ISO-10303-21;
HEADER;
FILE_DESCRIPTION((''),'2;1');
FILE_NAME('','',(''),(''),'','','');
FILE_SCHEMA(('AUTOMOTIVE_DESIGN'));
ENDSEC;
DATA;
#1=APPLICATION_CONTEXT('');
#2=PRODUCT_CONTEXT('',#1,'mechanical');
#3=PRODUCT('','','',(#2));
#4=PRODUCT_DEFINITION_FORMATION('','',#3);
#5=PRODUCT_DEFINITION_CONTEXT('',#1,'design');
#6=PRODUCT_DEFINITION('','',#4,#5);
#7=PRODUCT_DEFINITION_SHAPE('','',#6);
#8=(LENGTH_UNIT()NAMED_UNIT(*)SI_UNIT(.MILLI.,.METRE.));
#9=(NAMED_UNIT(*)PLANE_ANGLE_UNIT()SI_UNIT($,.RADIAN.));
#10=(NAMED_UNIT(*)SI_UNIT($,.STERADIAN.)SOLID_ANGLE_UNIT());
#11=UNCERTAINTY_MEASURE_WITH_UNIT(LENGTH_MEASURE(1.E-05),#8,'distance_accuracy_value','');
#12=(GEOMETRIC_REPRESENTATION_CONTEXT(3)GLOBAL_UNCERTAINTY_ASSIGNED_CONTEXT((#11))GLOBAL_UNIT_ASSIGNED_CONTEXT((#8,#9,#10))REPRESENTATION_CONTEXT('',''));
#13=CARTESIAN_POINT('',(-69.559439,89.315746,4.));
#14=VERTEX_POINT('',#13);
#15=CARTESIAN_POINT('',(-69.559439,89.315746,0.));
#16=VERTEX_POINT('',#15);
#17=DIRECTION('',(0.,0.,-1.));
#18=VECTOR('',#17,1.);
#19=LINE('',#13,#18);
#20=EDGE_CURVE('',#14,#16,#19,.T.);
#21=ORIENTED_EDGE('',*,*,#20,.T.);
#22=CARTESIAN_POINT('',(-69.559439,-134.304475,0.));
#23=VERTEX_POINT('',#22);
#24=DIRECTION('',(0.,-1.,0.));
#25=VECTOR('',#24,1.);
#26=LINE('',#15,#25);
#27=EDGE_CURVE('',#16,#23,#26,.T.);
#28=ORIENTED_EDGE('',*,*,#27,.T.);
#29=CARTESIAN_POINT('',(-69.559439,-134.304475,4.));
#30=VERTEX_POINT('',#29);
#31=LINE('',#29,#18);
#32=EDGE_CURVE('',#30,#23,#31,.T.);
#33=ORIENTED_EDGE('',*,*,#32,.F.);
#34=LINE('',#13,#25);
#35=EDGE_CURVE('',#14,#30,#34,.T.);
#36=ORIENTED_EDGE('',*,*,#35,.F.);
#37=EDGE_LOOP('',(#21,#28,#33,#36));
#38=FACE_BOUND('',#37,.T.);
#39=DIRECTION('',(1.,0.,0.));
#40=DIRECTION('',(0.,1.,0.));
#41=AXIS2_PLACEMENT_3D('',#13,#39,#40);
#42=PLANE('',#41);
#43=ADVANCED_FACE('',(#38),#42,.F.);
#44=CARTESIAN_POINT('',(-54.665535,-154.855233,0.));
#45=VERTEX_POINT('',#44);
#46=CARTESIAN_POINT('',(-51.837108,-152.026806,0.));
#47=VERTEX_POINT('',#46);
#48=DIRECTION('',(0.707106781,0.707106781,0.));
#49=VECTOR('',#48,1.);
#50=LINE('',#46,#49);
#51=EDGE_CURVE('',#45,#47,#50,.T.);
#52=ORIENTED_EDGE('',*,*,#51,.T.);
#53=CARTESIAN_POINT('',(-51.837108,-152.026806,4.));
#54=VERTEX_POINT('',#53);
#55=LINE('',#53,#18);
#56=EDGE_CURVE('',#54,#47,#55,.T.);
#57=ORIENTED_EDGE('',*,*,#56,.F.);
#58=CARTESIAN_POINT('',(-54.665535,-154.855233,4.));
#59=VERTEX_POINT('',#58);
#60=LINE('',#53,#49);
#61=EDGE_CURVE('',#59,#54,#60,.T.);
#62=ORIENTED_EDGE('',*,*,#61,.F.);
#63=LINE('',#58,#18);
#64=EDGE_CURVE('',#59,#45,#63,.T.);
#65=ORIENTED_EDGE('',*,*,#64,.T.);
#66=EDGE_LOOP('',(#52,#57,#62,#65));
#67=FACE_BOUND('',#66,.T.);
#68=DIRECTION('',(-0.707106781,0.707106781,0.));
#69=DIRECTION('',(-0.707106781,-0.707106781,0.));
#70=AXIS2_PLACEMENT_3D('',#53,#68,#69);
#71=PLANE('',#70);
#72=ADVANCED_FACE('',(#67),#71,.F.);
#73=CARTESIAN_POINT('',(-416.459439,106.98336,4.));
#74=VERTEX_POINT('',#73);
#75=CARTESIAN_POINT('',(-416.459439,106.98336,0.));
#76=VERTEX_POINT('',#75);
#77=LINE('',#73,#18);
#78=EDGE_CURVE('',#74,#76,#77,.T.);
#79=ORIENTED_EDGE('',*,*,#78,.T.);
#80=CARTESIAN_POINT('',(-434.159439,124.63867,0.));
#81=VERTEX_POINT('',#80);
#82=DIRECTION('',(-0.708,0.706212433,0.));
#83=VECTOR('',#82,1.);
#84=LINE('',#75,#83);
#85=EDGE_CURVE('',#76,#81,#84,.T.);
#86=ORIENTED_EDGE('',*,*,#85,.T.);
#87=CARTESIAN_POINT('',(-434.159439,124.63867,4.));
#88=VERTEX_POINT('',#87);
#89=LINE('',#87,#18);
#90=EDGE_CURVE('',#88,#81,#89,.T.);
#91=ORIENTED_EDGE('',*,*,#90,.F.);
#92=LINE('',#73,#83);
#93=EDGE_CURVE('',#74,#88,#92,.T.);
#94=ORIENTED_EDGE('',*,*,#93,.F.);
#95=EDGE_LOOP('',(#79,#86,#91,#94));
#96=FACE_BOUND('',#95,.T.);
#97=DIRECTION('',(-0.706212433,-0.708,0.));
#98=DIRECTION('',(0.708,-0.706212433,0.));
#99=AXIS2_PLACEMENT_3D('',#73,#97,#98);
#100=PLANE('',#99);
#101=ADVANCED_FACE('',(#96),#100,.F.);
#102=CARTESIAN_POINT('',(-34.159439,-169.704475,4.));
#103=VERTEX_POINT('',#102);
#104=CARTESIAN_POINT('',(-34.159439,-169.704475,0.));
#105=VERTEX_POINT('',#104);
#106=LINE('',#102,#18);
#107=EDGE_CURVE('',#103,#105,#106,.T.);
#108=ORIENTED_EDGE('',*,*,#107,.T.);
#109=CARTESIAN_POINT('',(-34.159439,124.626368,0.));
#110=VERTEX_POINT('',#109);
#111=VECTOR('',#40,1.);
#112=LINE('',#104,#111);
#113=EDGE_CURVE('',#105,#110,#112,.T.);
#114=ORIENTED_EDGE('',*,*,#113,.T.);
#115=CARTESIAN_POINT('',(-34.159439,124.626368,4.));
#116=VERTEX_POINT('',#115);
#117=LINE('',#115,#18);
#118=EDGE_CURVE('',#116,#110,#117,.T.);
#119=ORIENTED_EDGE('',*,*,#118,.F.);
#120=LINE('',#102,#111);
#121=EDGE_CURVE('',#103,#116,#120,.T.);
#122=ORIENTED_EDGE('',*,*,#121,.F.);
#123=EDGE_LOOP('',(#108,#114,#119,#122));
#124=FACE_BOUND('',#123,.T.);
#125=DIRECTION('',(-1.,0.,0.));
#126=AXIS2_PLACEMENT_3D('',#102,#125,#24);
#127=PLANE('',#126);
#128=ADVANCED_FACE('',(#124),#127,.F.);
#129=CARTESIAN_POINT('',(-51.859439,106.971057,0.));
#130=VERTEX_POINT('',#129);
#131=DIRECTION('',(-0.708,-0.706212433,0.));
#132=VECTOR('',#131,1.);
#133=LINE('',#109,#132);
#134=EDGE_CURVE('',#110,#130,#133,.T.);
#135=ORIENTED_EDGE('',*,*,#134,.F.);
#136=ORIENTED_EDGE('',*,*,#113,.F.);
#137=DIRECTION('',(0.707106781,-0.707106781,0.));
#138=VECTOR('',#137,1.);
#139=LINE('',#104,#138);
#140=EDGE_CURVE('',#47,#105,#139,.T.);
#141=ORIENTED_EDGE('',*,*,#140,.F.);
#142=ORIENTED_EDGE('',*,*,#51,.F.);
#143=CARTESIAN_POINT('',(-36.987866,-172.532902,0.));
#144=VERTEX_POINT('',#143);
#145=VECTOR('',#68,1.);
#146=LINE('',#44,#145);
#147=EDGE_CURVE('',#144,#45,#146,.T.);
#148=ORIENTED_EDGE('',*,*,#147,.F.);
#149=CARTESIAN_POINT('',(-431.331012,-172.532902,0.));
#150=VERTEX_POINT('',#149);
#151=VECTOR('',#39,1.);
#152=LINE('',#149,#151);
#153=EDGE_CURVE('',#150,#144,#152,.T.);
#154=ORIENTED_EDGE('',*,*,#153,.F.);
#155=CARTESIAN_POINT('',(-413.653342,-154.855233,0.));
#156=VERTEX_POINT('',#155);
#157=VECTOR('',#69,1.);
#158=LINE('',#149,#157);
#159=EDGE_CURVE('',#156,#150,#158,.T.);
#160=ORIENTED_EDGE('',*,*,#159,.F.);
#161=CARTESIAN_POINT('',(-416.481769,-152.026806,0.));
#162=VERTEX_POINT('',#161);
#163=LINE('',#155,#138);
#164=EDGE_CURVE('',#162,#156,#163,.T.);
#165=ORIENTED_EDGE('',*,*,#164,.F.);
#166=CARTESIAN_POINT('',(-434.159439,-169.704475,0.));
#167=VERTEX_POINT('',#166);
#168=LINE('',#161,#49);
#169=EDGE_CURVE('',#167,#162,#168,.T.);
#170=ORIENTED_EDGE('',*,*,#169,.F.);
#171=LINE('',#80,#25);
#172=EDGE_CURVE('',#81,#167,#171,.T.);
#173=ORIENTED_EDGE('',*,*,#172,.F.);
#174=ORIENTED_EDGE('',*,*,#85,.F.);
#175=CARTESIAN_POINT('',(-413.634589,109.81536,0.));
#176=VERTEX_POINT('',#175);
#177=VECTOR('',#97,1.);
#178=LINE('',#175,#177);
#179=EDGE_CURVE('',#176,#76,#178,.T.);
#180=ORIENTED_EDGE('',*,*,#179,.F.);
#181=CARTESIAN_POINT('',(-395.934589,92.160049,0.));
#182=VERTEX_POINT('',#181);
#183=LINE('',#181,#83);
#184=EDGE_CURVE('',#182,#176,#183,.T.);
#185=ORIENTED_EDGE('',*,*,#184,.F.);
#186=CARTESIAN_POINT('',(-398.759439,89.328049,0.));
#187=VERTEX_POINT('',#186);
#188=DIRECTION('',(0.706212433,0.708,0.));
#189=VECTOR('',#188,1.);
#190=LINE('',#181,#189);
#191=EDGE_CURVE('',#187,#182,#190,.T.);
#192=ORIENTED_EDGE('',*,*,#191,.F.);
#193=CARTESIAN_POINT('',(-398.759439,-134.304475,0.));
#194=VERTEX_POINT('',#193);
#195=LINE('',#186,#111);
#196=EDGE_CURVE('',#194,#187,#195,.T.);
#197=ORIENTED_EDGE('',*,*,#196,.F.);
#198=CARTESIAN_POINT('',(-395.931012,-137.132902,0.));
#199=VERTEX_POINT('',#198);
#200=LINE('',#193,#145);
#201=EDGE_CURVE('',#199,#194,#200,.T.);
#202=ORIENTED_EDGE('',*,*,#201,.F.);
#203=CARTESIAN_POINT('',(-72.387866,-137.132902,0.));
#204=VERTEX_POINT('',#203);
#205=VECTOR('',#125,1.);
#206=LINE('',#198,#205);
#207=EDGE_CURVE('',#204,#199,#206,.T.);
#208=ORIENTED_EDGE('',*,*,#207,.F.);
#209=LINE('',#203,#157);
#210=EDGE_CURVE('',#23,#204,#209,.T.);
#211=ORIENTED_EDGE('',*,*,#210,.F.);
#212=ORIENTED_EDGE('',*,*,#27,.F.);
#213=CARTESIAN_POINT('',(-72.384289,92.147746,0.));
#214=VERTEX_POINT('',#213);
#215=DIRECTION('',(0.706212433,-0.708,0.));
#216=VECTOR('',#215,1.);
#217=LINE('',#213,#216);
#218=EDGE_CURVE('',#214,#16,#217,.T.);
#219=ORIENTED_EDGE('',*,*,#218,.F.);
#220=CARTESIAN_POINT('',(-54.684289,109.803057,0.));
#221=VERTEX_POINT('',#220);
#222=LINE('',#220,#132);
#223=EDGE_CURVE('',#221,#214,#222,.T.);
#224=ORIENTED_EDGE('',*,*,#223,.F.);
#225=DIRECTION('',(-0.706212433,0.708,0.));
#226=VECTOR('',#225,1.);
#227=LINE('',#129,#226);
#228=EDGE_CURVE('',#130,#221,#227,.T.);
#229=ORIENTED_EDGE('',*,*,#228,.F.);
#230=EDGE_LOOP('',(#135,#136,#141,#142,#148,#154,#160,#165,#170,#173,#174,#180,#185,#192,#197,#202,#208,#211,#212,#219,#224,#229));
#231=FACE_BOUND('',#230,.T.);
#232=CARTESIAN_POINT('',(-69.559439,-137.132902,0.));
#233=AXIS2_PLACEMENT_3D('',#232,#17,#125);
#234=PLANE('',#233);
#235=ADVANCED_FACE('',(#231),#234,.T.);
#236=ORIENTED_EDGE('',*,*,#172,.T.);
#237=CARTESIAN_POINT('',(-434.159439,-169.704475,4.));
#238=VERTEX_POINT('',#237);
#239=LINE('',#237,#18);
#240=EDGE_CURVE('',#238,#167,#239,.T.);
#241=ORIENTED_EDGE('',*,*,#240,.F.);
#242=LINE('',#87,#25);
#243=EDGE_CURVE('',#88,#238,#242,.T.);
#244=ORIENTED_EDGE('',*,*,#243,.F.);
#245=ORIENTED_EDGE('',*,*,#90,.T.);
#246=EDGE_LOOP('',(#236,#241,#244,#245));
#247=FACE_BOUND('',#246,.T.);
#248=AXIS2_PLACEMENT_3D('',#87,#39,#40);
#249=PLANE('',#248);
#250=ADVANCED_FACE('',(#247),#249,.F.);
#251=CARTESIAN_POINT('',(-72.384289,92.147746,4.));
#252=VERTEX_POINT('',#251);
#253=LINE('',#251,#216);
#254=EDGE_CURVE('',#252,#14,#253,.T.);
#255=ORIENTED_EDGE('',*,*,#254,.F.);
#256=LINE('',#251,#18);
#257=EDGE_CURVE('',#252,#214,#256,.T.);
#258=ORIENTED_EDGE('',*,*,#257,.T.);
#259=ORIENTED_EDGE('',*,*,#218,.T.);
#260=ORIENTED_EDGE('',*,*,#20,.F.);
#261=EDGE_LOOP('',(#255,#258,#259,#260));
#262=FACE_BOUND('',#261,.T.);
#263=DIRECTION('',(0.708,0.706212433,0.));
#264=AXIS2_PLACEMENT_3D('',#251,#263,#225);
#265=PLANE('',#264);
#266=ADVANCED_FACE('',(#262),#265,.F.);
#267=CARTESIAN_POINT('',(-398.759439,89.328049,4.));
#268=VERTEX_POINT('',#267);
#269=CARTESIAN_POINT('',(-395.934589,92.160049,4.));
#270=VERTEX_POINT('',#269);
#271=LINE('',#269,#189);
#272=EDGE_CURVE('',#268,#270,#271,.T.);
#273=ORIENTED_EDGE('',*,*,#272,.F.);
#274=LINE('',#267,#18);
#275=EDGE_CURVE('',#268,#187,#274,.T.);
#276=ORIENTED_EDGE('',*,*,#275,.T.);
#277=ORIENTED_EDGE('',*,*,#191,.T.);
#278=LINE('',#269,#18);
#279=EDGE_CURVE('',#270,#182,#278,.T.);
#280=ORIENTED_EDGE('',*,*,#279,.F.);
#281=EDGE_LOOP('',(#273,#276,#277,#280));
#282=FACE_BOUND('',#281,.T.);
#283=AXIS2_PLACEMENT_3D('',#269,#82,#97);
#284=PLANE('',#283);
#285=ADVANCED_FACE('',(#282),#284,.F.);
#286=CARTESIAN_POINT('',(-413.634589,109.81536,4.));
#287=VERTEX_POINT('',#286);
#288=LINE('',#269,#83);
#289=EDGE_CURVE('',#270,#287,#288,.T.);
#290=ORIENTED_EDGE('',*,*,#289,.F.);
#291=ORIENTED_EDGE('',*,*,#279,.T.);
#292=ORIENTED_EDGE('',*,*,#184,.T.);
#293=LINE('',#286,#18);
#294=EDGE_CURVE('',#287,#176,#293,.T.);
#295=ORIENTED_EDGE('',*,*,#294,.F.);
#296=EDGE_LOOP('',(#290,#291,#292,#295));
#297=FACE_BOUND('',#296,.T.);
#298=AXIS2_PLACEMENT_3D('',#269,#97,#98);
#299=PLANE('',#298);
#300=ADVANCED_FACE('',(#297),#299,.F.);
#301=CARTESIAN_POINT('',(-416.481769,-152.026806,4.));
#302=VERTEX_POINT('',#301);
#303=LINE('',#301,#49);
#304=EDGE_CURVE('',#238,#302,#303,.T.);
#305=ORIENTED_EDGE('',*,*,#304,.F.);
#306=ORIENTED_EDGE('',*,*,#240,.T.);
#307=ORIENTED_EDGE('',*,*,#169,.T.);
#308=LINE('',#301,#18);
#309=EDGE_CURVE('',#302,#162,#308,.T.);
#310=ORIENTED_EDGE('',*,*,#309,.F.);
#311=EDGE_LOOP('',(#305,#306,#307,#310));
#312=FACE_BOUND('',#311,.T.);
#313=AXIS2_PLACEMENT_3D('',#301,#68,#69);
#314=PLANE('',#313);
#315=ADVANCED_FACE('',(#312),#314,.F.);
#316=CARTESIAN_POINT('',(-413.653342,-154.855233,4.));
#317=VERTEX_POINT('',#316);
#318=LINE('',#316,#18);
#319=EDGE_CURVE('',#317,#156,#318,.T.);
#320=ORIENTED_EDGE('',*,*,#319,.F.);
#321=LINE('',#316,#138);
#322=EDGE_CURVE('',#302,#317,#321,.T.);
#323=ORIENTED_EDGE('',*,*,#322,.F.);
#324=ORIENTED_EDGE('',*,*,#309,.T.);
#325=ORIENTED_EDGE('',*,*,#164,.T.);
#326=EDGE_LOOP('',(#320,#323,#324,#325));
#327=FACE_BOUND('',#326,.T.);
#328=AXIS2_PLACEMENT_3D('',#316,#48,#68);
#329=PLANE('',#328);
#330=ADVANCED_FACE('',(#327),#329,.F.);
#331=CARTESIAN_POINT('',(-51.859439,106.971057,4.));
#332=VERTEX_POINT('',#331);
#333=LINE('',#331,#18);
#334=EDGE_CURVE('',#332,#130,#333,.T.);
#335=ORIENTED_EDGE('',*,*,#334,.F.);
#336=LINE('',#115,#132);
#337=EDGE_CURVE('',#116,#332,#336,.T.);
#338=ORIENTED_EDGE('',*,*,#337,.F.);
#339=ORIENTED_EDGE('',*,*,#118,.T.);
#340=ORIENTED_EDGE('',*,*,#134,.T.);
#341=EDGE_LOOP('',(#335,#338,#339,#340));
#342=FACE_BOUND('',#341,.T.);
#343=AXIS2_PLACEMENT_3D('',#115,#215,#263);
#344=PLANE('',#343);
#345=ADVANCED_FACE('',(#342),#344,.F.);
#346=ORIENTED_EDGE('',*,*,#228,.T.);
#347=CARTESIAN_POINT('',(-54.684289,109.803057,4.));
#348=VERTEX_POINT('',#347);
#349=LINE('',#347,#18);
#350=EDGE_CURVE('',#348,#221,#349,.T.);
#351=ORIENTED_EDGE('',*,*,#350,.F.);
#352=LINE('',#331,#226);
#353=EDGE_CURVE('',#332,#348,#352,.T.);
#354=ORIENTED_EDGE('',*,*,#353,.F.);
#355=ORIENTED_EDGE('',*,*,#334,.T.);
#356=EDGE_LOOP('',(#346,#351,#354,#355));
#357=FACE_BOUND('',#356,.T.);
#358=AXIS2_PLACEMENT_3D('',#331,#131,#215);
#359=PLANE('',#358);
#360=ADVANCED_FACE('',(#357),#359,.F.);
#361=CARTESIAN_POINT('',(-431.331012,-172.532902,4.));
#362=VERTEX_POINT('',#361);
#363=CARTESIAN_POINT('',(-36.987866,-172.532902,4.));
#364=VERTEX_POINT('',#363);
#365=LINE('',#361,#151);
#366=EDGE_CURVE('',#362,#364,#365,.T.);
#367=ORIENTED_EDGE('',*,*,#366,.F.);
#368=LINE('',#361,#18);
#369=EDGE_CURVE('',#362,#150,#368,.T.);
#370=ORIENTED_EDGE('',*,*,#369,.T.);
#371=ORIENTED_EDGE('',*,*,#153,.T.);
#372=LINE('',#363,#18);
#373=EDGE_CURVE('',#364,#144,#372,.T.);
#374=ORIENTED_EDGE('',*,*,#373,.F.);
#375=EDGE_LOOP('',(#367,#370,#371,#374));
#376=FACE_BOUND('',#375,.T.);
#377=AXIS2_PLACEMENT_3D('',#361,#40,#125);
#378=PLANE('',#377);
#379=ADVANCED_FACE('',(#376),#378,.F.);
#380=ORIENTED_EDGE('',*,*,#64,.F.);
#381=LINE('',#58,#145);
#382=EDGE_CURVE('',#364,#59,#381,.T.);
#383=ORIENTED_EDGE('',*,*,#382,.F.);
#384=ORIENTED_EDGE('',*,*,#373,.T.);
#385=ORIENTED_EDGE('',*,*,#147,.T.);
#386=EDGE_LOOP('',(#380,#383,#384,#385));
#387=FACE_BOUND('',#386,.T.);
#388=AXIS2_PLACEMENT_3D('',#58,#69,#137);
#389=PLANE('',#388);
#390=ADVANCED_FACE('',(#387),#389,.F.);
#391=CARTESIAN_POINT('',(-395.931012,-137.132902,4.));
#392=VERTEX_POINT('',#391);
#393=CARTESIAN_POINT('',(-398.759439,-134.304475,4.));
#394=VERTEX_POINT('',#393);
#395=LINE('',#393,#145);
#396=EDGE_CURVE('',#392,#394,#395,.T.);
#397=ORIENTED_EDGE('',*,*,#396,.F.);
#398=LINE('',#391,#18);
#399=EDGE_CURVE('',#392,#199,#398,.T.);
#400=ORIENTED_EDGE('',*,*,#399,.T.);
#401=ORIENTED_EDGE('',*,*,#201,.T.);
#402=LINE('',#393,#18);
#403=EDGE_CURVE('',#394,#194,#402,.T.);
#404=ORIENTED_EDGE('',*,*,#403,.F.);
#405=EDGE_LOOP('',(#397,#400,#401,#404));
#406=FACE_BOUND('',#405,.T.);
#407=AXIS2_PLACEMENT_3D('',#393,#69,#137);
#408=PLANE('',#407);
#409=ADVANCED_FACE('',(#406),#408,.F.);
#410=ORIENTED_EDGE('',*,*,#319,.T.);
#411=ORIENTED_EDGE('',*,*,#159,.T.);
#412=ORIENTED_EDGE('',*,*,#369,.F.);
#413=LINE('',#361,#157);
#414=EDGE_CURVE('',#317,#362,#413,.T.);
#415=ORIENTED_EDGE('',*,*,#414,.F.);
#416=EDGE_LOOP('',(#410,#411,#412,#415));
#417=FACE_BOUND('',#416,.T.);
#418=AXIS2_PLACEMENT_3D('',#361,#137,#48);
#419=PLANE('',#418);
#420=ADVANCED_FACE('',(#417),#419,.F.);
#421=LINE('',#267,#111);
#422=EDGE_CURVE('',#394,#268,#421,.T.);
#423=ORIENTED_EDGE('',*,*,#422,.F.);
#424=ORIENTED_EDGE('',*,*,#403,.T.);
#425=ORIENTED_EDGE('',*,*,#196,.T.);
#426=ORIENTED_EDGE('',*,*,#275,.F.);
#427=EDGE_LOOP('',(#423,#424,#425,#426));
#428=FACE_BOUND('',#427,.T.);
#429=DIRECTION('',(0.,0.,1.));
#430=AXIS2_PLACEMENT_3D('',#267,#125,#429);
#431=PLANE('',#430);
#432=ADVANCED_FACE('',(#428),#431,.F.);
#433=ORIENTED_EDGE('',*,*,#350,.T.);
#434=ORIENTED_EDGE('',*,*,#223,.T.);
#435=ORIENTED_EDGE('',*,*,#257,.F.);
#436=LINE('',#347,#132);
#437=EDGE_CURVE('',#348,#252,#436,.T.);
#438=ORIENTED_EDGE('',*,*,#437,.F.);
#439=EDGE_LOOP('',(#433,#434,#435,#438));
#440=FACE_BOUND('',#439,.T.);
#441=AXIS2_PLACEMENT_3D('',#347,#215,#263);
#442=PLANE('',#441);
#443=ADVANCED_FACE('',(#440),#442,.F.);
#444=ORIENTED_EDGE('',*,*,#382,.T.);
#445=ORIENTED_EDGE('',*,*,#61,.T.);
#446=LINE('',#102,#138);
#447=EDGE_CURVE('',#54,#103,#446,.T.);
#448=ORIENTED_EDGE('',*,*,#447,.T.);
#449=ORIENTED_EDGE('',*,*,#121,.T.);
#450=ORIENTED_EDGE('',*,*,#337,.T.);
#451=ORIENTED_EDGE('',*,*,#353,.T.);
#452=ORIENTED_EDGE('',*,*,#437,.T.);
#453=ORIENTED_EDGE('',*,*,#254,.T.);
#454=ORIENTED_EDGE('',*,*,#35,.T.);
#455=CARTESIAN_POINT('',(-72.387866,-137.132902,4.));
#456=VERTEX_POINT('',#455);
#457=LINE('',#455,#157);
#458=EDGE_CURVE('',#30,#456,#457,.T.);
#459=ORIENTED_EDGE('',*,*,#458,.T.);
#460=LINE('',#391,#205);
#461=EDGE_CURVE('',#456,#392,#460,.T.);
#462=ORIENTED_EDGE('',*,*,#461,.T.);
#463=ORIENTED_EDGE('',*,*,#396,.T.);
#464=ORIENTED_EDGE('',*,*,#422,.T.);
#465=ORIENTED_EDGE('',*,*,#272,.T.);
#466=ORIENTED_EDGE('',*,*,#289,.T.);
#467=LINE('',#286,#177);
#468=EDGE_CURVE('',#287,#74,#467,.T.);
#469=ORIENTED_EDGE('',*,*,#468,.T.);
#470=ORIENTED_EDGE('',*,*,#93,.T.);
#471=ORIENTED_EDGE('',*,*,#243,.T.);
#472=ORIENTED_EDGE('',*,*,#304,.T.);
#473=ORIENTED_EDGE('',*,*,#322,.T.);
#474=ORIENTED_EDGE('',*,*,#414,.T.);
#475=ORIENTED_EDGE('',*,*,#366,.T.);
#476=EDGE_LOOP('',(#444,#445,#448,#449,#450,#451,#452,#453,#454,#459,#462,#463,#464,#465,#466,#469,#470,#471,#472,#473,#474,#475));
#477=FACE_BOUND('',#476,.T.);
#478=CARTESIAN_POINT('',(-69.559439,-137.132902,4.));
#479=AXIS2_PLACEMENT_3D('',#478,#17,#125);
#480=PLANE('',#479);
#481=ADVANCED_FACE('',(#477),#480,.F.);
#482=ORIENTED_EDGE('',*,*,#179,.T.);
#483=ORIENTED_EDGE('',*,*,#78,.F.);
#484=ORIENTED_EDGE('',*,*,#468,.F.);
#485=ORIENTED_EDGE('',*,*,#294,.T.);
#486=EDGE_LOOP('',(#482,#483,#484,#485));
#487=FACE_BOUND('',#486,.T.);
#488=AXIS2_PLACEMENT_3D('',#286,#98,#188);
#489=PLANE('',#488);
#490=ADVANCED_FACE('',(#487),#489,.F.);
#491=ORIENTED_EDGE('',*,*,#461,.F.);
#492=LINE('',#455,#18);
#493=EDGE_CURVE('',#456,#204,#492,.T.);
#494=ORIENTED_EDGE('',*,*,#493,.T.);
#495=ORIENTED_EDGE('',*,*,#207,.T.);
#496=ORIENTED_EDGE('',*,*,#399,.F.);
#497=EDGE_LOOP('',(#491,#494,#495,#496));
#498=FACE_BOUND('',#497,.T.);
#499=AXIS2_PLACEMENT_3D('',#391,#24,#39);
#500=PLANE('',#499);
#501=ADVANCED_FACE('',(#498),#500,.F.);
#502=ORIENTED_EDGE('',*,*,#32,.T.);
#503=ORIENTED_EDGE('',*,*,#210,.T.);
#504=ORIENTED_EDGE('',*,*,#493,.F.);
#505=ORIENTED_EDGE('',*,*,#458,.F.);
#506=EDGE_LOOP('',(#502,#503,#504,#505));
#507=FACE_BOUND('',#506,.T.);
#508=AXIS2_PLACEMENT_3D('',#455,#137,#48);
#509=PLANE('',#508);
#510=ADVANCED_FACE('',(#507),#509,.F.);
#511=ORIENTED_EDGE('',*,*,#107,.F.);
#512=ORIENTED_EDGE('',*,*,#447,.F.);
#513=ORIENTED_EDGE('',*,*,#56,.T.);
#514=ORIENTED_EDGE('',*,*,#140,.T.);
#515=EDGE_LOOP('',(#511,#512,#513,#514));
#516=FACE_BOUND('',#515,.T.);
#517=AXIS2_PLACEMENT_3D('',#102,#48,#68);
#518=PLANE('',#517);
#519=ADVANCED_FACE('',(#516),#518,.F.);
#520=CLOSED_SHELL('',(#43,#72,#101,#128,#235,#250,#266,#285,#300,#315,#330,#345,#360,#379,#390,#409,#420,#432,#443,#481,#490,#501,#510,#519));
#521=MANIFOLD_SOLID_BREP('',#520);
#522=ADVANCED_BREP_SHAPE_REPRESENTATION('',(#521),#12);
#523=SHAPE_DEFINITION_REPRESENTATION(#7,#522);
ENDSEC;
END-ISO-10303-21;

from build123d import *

# Parameters (mm, degrees)
BOSS_EXTRU_1_DEPTH = 4


with BuildPart() as part:
    # Esquisse1 → Boss.-Extru.1 (new body)
    with BuildSketch(Plane.XY):
        Polygon((-72.387865901, -137.132902491), (-69.559438777, -134.304475366), (-69.559438777, 89.31574626), (-72.384288507, 92.14774626), (-54.684288507, 109.803057076), (-51.859438777, 106.971057076), (-34.159438777, 124.626367892), (-34.159438777, -169.704475366), (-51.837108306, -152.026805837), (-54.665535431, -154.855232961), (-36.987865901, -172.532902491), (-431.331011652, -172.532902491), (-413.653342122, -154.855232961), (-416.481769247, -152.026805837), (-434.159438777, -169.704475366), (-434.159438777, 124.638670384), (-416.459438777, 106.983359568), (-413.634589046, 109.815359568), (-395.934589046, 92.160048753), (-398.759438777, 89.328048753), (-398.759438777, -134.304475366), (-395.931011652, -137.132902491), align=None)
    extrude(amount=BOSS_EXTRU_1_DEPTH)


solid = part.part
